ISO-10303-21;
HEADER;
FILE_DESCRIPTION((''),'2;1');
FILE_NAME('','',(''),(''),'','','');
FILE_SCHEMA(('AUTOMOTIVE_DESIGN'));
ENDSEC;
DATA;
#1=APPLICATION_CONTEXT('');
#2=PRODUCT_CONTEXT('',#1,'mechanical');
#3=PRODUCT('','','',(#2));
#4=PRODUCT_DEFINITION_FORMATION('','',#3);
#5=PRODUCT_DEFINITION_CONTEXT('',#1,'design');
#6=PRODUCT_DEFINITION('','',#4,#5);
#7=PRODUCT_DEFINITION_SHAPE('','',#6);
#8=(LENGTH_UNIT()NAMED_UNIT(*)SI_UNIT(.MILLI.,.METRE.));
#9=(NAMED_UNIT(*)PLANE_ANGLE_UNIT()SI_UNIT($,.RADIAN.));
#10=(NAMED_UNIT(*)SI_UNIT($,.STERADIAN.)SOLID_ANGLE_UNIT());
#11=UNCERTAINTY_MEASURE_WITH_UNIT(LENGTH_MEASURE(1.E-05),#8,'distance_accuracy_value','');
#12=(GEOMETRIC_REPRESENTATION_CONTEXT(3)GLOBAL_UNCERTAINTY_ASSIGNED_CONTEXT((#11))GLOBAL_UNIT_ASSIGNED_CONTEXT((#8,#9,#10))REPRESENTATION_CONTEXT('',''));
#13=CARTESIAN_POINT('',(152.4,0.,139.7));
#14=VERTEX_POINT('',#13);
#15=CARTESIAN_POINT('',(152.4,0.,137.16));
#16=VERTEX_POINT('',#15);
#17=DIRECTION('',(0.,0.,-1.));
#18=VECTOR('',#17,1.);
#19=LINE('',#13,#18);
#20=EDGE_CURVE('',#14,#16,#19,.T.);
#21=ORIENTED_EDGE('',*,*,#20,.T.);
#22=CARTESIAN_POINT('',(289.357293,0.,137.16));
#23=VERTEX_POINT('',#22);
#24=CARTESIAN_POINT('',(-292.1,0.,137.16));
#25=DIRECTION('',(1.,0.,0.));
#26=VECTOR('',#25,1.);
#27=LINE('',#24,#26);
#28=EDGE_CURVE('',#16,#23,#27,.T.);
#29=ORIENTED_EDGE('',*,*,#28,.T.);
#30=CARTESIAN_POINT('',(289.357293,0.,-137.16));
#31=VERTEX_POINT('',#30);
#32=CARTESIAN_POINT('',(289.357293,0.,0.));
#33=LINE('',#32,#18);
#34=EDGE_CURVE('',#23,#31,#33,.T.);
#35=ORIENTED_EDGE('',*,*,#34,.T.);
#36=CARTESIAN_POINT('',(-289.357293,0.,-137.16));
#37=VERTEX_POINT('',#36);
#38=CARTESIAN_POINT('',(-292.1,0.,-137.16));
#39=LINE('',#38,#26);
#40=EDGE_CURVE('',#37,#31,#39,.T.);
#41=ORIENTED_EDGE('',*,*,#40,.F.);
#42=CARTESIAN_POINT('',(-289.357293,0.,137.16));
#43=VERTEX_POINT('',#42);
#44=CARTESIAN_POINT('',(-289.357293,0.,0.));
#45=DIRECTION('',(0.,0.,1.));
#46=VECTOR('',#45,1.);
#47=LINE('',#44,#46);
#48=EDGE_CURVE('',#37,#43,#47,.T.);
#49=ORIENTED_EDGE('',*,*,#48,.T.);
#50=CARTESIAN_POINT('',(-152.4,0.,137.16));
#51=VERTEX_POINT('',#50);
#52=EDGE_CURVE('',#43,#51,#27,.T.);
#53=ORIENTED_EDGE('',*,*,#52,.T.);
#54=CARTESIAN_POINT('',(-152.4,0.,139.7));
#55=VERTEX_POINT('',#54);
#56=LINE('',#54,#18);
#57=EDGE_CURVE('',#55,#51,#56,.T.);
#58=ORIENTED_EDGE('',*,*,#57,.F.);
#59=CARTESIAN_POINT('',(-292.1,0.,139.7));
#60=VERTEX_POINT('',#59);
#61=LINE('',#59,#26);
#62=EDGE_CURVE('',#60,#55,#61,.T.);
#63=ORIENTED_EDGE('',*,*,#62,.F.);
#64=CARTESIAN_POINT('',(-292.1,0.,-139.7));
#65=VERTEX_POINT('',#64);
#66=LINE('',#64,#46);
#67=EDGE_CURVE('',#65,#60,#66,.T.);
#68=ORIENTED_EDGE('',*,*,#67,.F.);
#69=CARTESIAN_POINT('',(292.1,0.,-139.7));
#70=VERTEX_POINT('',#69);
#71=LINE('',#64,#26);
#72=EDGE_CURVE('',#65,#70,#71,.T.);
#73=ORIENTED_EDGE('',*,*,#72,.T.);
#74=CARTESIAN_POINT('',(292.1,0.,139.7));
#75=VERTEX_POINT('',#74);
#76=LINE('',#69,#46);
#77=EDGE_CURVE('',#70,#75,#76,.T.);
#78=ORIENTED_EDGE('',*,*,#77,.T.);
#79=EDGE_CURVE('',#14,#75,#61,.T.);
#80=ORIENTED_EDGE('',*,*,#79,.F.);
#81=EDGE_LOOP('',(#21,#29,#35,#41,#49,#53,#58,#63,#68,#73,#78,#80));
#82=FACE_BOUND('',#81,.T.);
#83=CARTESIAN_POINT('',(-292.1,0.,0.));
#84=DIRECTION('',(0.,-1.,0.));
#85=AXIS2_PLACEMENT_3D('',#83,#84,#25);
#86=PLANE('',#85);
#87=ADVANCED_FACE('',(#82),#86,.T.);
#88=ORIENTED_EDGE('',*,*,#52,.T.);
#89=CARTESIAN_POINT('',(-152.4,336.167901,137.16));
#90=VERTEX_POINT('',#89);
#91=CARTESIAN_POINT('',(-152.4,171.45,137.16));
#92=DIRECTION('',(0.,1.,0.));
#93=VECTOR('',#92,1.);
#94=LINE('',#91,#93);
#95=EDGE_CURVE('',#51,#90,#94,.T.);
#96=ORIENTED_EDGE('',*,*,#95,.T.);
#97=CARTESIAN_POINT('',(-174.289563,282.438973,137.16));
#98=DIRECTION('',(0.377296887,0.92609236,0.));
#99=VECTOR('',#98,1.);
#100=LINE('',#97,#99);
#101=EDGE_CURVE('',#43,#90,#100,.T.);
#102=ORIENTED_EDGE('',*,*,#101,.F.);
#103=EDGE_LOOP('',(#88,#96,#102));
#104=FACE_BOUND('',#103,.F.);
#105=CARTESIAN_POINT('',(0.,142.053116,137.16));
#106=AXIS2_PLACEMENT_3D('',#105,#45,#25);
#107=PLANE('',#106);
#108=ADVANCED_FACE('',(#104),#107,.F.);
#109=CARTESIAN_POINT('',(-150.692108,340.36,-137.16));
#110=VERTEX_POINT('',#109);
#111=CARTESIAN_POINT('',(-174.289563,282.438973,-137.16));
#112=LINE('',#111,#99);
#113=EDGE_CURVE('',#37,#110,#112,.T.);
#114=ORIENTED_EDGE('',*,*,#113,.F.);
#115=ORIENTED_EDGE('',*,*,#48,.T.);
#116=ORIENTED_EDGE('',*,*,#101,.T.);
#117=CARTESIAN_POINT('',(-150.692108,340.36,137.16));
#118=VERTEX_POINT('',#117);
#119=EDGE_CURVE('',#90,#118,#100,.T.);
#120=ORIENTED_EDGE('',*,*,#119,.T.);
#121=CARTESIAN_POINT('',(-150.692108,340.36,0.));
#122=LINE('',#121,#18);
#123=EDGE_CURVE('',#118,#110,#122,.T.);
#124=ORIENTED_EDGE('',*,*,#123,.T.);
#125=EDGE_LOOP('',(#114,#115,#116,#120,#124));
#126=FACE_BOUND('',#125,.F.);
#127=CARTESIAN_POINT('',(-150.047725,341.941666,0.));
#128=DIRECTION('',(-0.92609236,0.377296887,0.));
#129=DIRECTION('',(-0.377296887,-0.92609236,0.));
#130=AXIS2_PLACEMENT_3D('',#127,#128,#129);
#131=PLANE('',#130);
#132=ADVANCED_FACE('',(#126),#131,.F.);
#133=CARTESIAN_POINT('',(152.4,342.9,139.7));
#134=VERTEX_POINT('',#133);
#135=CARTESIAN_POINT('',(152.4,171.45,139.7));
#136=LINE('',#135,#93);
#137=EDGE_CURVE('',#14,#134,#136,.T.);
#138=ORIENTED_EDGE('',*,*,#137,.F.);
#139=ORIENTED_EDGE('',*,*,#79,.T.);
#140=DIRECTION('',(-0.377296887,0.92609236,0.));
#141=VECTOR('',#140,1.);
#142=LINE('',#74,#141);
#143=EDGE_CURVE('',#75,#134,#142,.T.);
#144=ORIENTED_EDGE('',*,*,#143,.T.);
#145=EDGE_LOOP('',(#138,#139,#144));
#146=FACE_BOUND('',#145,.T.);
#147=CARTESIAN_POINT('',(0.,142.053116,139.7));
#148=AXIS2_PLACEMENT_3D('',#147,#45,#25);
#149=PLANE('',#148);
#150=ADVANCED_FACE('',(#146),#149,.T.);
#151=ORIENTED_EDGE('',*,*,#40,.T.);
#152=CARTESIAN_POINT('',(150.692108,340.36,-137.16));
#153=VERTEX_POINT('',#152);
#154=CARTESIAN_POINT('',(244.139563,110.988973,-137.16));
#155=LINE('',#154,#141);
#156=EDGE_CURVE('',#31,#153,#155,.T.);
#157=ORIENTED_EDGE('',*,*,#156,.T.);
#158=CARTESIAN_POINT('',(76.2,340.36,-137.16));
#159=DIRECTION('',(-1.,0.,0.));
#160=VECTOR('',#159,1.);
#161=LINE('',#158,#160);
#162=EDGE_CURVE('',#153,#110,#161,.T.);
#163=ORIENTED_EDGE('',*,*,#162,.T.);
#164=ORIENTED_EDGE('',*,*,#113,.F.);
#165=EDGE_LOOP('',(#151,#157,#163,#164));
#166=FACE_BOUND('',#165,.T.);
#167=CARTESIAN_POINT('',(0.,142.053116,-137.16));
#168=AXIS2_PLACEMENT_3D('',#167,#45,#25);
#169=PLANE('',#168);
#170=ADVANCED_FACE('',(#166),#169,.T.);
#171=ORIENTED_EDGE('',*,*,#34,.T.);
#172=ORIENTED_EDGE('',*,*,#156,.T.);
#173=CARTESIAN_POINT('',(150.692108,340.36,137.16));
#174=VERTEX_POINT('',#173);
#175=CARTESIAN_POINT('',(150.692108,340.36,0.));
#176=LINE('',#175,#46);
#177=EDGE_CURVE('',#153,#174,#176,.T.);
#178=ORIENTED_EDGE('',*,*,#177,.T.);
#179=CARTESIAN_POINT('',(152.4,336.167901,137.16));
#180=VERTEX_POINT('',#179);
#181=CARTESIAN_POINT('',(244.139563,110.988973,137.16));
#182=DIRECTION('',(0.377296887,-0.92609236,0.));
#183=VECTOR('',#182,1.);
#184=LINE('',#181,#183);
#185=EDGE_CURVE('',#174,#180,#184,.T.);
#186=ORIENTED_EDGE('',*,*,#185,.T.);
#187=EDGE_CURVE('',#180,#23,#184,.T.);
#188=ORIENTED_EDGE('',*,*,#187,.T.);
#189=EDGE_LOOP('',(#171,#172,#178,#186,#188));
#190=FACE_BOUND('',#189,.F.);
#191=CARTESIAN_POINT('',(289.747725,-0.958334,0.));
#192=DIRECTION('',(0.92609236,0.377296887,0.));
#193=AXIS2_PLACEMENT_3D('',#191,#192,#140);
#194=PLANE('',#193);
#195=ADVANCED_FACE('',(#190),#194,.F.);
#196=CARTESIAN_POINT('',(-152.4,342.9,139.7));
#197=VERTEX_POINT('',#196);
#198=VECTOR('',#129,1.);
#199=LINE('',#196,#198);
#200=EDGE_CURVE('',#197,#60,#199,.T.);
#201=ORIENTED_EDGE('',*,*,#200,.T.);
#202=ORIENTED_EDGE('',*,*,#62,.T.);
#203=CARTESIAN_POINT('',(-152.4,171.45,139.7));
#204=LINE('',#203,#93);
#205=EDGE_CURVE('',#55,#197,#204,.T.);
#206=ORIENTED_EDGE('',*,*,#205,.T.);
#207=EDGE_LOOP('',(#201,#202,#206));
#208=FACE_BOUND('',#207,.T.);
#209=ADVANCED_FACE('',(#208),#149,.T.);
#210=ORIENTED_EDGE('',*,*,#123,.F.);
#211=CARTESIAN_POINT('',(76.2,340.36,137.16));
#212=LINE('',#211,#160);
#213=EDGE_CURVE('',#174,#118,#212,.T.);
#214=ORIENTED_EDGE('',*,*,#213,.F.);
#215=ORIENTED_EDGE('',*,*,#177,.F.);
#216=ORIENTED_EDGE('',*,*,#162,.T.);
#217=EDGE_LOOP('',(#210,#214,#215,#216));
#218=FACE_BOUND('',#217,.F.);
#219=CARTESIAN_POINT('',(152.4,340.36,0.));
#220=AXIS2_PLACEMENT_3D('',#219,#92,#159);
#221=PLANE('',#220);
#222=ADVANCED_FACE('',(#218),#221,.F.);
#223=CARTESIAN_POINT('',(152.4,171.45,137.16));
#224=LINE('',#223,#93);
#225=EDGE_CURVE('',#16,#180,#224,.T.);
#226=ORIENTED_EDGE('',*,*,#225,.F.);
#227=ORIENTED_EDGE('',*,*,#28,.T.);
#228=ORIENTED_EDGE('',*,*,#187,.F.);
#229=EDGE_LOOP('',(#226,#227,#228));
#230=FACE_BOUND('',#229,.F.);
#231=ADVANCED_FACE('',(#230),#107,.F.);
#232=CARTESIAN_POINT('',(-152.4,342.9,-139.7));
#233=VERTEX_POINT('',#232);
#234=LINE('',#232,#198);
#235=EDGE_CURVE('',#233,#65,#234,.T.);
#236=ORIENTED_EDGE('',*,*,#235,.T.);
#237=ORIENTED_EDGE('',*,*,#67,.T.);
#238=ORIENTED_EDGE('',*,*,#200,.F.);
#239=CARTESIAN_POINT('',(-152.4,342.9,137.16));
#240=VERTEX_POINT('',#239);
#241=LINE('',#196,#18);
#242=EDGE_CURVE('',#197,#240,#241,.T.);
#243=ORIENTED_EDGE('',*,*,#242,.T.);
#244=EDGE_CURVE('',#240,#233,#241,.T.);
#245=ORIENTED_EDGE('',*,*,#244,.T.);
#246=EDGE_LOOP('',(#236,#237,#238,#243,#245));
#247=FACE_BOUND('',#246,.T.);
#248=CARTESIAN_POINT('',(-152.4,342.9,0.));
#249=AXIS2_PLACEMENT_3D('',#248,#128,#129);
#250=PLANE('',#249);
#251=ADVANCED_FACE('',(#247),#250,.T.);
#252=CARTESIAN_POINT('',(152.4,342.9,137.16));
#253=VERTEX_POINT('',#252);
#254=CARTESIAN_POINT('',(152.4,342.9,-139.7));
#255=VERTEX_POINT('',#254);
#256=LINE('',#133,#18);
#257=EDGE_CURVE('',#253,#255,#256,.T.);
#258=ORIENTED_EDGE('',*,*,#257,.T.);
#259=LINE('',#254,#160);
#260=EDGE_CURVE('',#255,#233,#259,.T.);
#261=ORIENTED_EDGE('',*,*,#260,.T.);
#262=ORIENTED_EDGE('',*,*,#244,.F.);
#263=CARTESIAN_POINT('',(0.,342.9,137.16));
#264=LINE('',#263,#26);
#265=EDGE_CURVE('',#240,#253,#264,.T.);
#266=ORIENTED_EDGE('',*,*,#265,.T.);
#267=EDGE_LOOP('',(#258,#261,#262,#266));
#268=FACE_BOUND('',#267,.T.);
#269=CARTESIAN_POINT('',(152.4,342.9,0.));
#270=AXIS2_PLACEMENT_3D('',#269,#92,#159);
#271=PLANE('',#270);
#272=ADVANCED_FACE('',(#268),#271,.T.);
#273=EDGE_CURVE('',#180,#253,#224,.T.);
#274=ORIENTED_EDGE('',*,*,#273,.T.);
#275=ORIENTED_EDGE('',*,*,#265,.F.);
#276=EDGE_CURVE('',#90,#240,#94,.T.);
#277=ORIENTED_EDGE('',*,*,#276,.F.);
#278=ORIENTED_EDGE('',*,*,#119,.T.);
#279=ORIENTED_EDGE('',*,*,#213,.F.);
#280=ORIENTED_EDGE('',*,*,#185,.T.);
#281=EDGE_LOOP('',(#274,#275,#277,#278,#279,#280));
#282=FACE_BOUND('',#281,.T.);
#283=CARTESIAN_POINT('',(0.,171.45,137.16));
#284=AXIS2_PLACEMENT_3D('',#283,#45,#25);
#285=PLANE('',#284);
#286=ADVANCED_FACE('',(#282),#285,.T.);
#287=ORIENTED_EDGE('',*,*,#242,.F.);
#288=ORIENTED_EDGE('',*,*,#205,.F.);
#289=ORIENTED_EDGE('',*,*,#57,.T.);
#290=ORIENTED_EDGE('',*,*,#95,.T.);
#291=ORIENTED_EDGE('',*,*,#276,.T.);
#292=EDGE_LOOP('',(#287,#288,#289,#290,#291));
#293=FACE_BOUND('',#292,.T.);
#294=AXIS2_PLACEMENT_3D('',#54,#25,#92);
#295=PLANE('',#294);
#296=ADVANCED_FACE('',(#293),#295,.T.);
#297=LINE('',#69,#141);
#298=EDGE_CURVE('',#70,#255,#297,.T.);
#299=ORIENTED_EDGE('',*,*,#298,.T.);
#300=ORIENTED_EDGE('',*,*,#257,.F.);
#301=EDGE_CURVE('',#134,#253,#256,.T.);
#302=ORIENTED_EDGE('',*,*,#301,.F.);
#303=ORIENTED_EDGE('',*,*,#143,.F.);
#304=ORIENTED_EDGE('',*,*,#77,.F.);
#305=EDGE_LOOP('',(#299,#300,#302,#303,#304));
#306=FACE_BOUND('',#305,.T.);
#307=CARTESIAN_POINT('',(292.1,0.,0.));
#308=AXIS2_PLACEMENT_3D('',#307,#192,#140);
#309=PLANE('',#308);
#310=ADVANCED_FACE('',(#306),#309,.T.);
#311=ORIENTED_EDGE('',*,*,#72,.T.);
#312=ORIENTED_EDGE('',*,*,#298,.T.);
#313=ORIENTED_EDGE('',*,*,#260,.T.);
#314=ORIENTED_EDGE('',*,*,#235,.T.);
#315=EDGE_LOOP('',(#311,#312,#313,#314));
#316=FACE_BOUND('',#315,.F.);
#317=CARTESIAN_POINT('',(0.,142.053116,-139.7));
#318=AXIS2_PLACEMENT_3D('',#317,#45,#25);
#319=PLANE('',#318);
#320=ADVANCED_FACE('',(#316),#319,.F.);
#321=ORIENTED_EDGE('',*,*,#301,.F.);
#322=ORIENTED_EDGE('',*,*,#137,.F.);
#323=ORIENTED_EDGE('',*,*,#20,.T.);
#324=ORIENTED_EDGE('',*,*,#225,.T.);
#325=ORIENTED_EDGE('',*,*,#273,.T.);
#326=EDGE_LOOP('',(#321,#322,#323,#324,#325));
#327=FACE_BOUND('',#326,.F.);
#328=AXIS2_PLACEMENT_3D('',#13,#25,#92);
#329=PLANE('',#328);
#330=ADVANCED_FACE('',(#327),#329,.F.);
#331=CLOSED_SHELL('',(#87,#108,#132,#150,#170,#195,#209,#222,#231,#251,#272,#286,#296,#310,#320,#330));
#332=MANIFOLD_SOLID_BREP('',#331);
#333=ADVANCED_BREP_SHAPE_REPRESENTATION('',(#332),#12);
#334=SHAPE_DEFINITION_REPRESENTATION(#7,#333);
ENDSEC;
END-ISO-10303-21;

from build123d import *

# Parameters (mm, degrees)
F1_DEPTH = 139.7
F2_T     = -2.54
F3_W     = 304.8
F3_H     = 342.9
F4_DEPTH = 2.54


with BuildPart() as f1:
    # F0 (on Top) → F1 (new body, symmetric)
    with BuildSketch(Plane.XY):
        Polygon((-152.4, 342.9), (-292.1, 0), (292.1, 0), (152.4, 342.9), align=None)
    extrude(amount=F1_DEPTH, both=True)

    # F2
    f2_openings = [f1.faces().sort_by_distance(p)[0] for p in [
        (0, 0, 0),
    ]]
    offset(amount=F2_T, openings=f2_openings)

    # F3 (on face) → F4 (cut, through all)
    with BuildSketch(Plane.XY.offset(139.7)):
        with Locations((0, 171.45)):
            Rectangle(F3_W, F3_H)
    extrude(amount=-F4_DEPTH, mode=Mode.SUBTRACT)


solid = f1.part
